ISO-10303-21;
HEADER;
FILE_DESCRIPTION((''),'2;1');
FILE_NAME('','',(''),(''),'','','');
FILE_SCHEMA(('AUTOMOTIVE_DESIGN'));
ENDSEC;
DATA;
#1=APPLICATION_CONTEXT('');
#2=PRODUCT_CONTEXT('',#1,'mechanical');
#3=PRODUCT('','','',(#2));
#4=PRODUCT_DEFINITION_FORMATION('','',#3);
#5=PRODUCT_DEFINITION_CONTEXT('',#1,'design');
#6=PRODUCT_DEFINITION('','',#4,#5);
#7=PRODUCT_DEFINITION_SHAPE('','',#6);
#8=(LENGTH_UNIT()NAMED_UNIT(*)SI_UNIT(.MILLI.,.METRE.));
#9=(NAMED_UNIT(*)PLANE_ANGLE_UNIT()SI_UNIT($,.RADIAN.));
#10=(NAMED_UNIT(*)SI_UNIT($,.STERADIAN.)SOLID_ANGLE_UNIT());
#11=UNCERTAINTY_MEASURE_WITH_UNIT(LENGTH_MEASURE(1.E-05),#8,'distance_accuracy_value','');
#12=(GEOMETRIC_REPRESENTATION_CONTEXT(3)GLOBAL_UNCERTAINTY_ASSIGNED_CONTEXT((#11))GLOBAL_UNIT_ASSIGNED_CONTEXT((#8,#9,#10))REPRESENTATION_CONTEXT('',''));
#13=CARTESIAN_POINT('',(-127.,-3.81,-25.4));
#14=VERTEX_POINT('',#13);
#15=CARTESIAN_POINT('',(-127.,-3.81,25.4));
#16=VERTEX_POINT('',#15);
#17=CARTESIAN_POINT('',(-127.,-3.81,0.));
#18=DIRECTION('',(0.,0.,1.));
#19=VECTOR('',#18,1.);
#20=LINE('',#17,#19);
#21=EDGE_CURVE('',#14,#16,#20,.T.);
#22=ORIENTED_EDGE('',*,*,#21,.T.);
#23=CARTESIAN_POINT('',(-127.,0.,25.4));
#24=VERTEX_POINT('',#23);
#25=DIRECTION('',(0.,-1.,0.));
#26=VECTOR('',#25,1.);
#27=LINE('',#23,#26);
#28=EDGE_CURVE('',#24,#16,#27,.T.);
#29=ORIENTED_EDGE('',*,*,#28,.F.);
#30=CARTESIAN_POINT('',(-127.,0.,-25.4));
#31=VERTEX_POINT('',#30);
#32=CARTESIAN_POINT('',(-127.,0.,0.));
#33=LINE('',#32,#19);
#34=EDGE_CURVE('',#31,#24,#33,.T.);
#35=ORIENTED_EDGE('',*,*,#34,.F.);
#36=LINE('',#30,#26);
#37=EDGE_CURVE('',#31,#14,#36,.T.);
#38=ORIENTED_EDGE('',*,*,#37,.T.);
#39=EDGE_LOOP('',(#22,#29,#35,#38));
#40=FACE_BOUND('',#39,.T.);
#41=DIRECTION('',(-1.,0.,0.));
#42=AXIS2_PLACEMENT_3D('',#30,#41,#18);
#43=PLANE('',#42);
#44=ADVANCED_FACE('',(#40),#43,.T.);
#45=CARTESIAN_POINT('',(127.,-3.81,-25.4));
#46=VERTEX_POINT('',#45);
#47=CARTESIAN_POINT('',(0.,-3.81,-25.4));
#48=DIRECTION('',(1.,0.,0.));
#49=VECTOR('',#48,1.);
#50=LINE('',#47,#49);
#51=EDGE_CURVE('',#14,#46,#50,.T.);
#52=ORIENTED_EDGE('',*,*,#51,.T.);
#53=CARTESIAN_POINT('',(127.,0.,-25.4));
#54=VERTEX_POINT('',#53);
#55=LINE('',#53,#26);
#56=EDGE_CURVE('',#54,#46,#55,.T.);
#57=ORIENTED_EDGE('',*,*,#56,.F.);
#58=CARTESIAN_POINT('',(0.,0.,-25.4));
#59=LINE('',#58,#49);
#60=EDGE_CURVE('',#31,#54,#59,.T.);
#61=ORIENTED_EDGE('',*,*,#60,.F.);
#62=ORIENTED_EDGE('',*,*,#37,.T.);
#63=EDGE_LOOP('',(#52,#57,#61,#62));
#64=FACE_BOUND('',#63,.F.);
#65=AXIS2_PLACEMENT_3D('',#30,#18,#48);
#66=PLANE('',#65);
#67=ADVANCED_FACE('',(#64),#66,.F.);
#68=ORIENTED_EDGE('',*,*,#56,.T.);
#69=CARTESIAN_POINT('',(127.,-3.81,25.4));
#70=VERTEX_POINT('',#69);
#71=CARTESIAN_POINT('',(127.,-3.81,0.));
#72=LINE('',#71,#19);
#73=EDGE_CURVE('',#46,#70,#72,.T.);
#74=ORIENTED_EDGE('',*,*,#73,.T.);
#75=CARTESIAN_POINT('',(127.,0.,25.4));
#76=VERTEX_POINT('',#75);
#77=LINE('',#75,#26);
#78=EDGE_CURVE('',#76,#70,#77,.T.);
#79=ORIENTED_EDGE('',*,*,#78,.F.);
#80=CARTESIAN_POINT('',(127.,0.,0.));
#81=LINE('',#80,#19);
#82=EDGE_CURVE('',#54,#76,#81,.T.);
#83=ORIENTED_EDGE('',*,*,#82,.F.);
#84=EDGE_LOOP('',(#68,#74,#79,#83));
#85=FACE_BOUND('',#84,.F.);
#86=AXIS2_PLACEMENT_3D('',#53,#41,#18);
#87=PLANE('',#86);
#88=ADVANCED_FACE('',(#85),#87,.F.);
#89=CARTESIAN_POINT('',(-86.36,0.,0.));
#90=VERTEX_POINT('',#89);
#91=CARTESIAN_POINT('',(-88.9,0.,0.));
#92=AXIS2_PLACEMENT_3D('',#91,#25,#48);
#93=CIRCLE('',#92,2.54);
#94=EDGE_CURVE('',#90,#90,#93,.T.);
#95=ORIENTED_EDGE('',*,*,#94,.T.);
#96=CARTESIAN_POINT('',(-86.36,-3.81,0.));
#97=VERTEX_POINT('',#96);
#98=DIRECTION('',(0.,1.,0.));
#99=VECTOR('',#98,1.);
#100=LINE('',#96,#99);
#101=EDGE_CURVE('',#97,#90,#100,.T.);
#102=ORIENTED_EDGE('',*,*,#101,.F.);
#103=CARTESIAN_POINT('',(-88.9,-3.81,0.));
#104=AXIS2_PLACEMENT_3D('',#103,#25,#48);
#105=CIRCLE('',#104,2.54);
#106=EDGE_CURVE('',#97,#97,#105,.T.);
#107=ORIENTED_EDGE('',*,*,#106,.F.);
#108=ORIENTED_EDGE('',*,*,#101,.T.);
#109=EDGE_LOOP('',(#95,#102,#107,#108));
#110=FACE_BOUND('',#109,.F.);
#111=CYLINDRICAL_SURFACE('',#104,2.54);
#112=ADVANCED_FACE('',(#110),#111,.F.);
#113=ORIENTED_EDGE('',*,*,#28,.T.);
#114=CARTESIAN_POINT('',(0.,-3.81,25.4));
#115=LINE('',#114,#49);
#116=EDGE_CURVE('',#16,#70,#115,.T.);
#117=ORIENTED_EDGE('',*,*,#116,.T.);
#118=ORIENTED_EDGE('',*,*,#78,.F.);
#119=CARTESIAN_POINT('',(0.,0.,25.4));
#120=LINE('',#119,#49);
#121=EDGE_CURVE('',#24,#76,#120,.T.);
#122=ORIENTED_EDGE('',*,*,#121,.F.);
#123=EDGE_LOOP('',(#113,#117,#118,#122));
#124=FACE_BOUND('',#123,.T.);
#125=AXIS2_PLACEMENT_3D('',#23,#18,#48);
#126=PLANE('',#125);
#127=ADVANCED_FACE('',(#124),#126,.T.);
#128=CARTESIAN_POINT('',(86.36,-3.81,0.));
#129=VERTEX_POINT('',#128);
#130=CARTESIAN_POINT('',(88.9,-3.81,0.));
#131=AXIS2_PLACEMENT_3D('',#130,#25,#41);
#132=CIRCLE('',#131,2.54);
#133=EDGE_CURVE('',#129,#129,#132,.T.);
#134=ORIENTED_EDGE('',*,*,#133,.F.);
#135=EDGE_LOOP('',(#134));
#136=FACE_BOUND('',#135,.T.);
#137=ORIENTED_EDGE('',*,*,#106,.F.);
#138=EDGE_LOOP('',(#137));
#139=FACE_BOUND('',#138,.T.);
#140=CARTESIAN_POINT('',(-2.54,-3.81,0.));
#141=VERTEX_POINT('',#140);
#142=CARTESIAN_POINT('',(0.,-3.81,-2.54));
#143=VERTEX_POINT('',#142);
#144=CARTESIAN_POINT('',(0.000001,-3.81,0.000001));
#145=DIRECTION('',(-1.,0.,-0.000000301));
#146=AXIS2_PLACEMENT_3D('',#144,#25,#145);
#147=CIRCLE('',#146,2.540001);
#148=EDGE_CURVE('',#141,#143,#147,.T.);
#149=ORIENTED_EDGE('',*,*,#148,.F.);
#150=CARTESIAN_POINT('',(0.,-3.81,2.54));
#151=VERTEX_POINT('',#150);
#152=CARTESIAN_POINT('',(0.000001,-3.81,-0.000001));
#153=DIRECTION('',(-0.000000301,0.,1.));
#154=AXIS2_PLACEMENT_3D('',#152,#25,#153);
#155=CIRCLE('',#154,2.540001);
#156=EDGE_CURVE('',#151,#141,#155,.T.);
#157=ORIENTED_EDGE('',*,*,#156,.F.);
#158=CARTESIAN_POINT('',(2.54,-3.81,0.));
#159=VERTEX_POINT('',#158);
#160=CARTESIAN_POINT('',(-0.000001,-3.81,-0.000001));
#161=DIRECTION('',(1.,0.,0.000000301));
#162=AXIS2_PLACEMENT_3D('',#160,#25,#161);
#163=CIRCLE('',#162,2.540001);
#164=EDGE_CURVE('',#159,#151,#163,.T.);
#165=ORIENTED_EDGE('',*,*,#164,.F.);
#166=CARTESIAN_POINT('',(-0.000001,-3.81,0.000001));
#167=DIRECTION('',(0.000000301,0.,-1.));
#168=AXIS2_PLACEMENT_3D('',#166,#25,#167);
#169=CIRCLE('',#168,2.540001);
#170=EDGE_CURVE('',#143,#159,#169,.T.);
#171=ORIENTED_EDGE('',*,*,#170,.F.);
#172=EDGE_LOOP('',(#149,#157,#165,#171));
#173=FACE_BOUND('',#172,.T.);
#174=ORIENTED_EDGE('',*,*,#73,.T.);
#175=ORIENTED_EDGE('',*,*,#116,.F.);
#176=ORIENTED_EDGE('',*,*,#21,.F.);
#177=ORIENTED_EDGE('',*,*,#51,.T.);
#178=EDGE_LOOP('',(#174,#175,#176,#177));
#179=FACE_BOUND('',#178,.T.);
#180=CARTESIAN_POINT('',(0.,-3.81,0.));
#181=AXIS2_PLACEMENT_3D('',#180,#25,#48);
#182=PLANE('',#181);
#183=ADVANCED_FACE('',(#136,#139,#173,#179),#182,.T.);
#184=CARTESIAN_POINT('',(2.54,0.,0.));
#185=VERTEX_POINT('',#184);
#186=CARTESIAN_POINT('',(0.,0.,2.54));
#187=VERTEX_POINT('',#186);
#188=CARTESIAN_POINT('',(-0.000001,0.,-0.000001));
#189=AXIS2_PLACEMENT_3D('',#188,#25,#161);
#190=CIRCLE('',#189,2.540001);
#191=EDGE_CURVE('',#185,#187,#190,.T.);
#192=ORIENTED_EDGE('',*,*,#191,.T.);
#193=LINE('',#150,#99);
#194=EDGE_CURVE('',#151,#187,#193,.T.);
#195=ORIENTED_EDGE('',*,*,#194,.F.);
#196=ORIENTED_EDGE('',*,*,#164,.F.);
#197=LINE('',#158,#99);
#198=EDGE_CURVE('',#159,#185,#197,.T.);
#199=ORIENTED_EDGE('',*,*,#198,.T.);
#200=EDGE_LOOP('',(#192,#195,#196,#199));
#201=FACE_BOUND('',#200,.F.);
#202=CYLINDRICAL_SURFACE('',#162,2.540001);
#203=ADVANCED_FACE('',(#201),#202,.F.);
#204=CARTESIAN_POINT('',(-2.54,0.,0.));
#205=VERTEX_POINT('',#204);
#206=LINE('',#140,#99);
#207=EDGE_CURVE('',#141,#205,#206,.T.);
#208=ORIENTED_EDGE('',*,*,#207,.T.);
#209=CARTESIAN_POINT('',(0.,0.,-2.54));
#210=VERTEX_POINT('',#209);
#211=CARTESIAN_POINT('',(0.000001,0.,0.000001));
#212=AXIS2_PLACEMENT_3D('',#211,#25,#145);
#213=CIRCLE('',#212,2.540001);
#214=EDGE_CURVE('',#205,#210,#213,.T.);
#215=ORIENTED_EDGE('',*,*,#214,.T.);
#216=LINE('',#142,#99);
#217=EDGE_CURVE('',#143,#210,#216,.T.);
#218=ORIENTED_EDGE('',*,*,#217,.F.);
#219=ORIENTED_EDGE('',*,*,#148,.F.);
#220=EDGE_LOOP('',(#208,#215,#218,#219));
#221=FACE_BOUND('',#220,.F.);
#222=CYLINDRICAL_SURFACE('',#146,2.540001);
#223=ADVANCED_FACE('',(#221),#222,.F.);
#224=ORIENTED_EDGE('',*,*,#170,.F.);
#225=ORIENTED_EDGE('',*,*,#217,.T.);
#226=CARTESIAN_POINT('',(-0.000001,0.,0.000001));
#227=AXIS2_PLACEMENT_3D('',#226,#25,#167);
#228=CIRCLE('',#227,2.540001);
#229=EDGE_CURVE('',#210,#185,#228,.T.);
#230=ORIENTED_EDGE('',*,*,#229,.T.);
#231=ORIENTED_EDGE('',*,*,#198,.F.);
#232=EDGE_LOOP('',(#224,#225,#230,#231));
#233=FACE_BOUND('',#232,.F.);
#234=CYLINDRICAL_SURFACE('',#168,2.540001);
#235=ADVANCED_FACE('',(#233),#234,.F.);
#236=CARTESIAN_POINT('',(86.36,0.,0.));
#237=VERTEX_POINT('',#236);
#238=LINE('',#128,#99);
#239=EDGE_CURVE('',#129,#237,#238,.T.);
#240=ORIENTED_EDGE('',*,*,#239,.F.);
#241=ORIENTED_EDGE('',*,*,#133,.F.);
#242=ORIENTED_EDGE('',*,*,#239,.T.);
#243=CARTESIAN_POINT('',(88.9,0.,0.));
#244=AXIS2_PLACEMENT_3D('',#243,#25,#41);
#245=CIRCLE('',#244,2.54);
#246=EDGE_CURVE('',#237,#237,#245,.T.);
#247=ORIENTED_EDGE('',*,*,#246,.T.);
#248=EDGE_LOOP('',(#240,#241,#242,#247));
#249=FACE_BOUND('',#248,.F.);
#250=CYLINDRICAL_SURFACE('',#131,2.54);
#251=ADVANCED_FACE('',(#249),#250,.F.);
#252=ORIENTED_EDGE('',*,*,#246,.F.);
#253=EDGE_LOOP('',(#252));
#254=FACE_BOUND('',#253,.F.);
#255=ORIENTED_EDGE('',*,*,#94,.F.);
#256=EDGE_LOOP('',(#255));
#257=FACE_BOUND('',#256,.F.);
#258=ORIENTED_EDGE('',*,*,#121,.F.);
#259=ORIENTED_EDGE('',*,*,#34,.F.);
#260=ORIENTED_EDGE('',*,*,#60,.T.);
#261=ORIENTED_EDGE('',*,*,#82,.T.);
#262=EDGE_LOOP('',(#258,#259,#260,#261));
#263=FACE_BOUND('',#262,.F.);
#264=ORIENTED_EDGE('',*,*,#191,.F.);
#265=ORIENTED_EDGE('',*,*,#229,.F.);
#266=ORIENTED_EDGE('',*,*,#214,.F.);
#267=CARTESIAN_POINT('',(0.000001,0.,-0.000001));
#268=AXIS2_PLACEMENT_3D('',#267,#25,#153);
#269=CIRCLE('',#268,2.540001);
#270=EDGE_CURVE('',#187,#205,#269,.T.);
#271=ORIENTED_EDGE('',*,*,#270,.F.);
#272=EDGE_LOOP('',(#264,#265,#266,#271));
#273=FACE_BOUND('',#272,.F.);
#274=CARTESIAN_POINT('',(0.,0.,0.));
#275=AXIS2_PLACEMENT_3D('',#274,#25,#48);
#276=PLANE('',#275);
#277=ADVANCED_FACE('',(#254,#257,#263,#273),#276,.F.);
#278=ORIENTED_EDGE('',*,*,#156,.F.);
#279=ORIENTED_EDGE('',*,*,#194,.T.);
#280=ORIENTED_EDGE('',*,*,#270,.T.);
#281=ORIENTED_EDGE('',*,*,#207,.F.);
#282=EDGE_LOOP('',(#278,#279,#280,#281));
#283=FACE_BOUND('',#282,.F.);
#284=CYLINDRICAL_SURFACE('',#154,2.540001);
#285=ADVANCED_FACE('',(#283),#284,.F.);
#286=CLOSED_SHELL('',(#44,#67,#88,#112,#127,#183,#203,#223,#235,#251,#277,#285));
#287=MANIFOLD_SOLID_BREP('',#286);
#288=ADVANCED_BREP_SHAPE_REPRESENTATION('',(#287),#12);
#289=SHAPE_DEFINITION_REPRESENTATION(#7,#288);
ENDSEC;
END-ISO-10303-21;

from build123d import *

# Parameters (mm, degrees)
F0_W     = 254
F0_H     = 50.8
F1_DEPTH = 3.81
F3_DEPTH = 25.4


with BuildPart() as f1:
    # F0 (on Front) → F1 (new body)
    with BuildSketch(Plane.XZ):
        Rectangle(F0_W, F0_H)
    extrude(amount=F1_DEPTH)

    # F2 (on face) → F3 (cut)
    with BuildSketch(Plane.XZ.offset(3.81)):
        with BuildLine():
            ThreePointArc((-91.44, 0), (-88.9, -2.54), (-86.36, 0))
            ThreePointArc((-86.36, 0), (-88.9, 2.54), (-91.44, 0))
        make_face()
        with BuildLine():
            ThreePointArc((91.44, 0), (88.9, 2.54), (86.36, 0))
            ThreePointArc((86.36, 0), (88.9, -2.54), (91.44, 0))
        make_face()
        with BuildLine():
            ThreePointArc((0, 2.54), (-1.796051, 1.796051), (-2.54, 0))
            ThreePointArc((-2.54, 0), (-1.796051, -1.796051), (0, -2.54))
            ThreePointArc((0, -2.54), (1.796051, -1.796051), (2.54, 0))
            ThreePointArc((2.54, 0), (1.796051, 1.796051), (0, 2.54))
        make_face()
    extrude(amount=-F3_DEPTH, mode=Mode.SUBTRACT)


solid = f1.part
